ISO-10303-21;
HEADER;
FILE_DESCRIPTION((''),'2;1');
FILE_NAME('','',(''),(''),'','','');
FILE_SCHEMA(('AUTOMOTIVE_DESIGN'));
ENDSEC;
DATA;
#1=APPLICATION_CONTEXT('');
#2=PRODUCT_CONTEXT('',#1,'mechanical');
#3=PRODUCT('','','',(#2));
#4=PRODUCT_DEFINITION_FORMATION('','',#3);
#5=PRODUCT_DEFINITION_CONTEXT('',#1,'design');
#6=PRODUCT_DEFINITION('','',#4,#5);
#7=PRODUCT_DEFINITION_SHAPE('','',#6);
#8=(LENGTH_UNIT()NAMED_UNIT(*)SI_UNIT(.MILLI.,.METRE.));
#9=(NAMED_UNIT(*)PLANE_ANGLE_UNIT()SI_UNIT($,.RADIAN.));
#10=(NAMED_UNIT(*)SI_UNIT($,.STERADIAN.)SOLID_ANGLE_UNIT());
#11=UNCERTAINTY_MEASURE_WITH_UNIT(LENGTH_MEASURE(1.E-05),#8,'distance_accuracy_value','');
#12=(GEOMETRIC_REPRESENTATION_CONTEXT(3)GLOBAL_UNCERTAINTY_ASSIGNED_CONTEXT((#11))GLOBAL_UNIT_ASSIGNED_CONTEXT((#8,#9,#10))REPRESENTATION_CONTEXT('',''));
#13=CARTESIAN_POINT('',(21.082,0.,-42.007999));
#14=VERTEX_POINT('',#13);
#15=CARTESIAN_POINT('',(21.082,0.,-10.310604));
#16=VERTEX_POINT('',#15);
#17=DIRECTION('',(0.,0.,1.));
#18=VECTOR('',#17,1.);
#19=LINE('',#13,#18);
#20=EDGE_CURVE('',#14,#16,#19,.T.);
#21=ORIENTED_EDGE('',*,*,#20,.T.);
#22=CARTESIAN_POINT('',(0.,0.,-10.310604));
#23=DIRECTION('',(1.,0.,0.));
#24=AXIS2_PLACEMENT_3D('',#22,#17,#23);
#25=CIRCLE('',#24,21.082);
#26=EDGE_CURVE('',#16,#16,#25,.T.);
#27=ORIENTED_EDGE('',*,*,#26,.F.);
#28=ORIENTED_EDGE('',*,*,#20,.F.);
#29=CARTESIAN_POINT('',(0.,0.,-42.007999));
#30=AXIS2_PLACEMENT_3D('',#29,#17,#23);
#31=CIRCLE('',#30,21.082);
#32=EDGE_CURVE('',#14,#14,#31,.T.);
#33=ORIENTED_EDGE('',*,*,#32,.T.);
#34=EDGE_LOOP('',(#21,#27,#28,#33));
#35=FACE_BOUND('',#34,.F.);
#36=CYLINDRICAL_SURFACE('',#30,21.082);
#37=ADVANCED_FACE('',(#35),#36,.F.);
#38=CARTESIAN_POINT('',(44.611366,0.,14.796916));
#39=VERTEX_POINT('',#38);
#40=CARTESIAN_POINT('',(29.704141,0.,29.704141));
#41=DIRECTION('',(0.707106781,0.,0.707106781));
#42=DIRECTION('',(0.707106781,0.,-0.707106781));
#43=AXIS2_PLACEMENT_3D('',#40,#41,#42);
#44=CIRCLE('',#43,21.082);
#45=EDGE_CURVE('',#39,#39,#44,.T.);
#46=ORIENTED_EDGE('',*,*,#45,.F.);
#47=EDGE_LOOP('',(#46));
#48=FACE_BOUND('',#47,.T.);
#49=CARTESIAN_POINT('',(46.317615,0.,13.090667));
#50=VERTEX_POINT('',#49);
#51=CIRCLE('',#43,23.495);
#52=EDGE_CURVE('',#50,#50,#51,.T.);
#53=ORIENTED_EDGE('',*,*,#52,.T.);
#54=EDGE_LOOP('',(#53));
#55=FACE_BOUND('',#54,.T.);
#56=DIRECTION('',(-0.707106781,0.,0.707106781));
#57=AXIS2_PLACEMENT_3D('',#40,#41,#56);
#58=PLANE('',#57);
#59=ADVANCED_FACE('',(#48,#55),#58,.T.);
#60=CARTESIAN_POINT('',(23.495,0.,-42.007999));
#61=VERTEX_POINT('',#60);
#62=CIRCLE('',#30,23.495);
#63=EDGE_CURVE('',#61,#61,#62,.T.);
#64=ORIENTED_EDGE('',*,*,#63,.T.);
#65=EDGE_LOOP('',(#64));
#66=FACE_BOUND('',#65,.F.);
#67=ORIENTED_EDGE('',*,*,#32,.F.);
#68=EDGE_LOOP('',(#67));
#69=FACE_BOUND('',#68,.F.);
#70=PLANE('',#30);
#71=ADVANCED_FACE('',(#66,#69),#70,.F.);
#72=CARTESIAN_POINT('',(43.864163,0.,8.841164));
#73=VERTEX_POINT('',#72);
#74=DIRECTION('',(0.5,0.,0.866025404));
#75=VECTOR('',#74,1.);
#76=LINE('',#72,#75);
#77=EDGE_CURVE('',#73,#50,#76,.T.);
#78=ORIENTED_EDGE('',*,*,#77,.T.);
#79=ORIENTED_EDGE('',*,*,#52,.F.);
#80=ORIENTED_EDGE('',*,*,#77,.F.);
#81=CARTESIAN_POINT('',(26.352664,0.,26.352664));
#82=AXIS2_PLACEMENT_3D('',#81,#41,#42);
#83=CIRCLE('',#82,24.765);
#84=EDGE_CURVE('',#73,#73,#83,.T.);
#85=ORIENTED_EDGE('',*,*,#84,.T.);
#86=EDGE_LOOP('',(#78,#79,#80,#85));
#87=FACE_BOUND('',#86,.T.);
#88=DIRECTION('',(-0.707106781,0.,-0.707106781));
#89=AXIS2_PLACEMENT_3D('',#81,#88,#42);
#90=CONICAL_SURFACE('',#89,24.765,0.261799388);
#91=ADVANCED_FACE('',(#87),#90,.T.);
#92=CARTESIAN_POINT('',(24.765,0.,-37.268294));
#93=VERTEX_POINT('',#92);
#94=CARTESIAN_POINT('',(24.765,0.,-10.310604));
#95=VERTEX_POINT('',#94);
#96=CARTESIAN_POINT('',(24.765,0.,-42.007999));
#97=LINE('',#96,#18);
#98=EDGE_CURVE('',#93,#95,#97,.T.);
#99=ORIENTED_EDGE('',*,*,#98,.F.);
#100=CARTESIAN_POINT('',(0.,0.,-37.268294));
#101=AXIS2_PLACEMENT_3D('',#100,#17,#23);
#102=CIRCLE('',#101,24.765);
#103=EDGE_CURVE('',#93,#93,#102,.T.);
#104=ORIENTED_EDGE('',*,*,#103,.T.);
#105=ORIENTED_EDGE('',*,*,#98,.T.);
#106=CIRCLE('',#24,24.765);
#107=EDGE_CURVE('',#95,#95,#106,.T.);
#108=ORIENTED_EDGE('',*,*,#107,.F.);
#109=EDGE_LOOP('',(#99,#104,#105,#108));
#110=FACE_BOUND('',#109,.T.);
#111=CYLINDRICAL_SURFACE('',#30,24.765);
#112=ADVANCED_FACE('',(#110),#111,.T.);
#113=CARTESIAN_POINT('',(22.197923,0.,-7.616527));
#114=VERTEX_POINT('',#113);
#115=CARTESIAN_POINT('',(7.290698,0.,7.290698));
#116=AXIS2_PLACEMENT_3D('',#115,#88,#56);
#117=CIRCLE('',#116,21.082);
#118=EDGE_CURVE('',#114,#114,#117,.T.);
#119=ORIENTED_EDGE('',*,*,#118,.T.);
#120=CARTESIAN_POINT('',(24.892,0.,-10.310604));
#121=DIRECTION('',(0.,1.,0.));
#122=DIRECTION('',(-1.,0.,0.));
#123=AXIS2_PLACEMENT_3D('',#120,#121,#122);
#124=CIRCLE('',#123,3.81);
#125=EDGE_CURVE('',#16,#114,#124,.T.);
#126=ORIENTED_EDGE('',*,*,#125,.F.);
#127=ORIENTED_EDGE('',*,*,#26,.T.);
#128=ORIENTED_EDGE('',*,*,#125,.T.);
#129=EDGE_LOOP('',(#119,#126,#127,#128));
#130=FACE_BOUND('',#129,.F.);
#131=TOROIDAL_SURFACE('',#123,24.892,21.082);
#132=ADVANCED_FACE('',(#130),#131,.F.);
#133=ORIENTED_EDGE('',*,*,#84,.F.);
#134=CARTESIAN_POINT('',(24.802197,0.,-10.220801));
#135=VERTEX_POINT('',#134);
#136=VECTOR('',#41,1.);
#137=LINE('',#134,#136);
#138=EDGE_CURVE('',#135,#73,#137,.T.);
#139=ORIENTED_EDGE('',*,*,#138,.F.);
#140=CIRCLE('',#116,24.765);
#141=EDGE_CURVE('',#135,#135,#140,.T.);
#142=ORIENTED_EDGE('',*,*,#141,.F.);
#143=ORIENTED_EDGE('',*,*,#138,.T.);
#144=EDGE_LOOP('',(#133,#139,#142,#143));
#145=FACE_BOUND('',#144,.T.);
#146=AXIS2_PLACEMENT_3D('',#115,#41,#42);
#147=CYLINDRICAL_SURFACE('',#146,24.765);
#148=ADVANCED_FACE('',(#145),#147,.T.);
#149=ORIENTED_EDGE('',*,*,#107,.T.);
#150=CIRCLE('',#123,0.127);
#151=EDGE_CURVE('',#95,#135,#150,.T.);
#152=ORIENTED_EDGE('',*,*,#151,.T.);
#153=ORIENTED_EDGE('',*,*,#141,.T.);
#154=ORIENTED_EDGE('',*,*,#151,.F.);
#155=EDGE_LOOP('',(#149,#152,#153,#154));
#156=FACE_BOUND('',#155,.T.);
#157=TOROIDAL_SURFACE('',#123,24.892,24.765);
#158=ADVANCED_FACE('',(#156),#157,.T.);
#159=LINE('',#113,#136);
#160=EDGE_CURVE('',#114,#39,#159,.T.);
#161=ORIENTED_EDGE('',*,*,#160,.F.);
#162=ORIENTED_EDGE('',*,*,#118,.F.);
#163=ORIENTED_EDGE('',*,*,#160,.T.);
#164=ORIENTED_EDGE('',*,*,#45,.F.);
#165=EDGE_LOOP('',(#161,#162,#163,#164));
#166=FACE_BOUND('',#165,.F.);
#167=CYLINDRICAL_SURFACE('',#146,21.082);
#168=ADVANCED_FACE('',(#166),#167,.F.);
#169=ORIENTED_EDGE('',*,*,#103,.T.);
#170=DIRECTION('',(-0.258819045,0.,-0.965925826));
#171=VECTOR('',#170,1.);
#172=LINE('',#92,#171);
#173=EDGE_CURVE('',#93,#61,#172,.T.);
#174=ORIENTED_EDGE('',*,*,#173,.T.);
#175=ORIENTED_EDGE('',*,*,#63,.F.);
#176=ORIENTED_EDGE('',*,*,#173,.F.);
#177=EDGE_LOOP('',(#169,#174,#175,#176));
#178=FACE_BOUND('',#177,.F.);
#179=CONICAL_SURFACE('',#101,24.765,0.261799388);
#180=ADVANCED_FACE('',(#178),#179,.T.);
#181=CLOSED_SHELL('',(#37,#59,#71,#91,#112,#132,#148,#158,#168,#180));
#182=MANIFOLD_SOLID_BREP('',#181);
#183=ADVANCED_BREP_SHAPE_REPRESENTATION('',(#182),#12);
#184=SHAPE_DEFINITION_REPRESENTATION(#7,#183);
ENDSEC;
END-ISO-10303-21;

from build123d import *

# Parameters (mm, degrees)
F2_R     = 24.765
F2_R_2   = 21.082
F4_SIZE2 = 1.27
F4_SIZE  = 4.7397045256
F5_SIZE2 = 1.27
F5_SIZE  = 4.7397045256


with BuildPart() as f3:
    # F3: sweep along a path in F0
    with BuildLine(Plane.XZ) as f3_path:
        Line((0, -42.0079988722), (0, -10.3106039946))
        ThreePointArc((0, -10.3106039946), (1.8947906767, -0.7848479962), (7.2906980027, 7.2906980027))
        Line((7.2906980027, 7.2906980027), (29.7041408666, 29.7041408666))
    # F2 (on plane+point) → F3 (sweep)
    with BuildSketch(Plane.XY.offset(-42.0079988722)):
        Circle(F2_R)
        Circle(F2_R_2, mode=Mode.SUBTRACT)
    sweep(path=f3_path.line)

    # F4
    f4_edges = [f3.edges().sort_by_distance(p)[0] for p in [
        (12.192641, 0, 47.21564),
    ]]
    f4_side = f3.faces().sort_by_distance((0.98592, 0, 36.008919))[0]
    chamfer(f4_edges, length=F4_SIZE, length2=F4_SIZE2, reference=f4_side)

    # F5
    f5_edges = [f3.edges().sort_by_distance(p)[0] for p in [
        (-24.765, 0, -42.007999),
    ]]
    f5_side = f3.faces().sort_by_distance((-24.765, 0, -26.159301))[0]
    chamfer(f5_edges, length=F5_SIZE, length2=F5_SIZE2, reference=f5_side)


solid = f3.part
